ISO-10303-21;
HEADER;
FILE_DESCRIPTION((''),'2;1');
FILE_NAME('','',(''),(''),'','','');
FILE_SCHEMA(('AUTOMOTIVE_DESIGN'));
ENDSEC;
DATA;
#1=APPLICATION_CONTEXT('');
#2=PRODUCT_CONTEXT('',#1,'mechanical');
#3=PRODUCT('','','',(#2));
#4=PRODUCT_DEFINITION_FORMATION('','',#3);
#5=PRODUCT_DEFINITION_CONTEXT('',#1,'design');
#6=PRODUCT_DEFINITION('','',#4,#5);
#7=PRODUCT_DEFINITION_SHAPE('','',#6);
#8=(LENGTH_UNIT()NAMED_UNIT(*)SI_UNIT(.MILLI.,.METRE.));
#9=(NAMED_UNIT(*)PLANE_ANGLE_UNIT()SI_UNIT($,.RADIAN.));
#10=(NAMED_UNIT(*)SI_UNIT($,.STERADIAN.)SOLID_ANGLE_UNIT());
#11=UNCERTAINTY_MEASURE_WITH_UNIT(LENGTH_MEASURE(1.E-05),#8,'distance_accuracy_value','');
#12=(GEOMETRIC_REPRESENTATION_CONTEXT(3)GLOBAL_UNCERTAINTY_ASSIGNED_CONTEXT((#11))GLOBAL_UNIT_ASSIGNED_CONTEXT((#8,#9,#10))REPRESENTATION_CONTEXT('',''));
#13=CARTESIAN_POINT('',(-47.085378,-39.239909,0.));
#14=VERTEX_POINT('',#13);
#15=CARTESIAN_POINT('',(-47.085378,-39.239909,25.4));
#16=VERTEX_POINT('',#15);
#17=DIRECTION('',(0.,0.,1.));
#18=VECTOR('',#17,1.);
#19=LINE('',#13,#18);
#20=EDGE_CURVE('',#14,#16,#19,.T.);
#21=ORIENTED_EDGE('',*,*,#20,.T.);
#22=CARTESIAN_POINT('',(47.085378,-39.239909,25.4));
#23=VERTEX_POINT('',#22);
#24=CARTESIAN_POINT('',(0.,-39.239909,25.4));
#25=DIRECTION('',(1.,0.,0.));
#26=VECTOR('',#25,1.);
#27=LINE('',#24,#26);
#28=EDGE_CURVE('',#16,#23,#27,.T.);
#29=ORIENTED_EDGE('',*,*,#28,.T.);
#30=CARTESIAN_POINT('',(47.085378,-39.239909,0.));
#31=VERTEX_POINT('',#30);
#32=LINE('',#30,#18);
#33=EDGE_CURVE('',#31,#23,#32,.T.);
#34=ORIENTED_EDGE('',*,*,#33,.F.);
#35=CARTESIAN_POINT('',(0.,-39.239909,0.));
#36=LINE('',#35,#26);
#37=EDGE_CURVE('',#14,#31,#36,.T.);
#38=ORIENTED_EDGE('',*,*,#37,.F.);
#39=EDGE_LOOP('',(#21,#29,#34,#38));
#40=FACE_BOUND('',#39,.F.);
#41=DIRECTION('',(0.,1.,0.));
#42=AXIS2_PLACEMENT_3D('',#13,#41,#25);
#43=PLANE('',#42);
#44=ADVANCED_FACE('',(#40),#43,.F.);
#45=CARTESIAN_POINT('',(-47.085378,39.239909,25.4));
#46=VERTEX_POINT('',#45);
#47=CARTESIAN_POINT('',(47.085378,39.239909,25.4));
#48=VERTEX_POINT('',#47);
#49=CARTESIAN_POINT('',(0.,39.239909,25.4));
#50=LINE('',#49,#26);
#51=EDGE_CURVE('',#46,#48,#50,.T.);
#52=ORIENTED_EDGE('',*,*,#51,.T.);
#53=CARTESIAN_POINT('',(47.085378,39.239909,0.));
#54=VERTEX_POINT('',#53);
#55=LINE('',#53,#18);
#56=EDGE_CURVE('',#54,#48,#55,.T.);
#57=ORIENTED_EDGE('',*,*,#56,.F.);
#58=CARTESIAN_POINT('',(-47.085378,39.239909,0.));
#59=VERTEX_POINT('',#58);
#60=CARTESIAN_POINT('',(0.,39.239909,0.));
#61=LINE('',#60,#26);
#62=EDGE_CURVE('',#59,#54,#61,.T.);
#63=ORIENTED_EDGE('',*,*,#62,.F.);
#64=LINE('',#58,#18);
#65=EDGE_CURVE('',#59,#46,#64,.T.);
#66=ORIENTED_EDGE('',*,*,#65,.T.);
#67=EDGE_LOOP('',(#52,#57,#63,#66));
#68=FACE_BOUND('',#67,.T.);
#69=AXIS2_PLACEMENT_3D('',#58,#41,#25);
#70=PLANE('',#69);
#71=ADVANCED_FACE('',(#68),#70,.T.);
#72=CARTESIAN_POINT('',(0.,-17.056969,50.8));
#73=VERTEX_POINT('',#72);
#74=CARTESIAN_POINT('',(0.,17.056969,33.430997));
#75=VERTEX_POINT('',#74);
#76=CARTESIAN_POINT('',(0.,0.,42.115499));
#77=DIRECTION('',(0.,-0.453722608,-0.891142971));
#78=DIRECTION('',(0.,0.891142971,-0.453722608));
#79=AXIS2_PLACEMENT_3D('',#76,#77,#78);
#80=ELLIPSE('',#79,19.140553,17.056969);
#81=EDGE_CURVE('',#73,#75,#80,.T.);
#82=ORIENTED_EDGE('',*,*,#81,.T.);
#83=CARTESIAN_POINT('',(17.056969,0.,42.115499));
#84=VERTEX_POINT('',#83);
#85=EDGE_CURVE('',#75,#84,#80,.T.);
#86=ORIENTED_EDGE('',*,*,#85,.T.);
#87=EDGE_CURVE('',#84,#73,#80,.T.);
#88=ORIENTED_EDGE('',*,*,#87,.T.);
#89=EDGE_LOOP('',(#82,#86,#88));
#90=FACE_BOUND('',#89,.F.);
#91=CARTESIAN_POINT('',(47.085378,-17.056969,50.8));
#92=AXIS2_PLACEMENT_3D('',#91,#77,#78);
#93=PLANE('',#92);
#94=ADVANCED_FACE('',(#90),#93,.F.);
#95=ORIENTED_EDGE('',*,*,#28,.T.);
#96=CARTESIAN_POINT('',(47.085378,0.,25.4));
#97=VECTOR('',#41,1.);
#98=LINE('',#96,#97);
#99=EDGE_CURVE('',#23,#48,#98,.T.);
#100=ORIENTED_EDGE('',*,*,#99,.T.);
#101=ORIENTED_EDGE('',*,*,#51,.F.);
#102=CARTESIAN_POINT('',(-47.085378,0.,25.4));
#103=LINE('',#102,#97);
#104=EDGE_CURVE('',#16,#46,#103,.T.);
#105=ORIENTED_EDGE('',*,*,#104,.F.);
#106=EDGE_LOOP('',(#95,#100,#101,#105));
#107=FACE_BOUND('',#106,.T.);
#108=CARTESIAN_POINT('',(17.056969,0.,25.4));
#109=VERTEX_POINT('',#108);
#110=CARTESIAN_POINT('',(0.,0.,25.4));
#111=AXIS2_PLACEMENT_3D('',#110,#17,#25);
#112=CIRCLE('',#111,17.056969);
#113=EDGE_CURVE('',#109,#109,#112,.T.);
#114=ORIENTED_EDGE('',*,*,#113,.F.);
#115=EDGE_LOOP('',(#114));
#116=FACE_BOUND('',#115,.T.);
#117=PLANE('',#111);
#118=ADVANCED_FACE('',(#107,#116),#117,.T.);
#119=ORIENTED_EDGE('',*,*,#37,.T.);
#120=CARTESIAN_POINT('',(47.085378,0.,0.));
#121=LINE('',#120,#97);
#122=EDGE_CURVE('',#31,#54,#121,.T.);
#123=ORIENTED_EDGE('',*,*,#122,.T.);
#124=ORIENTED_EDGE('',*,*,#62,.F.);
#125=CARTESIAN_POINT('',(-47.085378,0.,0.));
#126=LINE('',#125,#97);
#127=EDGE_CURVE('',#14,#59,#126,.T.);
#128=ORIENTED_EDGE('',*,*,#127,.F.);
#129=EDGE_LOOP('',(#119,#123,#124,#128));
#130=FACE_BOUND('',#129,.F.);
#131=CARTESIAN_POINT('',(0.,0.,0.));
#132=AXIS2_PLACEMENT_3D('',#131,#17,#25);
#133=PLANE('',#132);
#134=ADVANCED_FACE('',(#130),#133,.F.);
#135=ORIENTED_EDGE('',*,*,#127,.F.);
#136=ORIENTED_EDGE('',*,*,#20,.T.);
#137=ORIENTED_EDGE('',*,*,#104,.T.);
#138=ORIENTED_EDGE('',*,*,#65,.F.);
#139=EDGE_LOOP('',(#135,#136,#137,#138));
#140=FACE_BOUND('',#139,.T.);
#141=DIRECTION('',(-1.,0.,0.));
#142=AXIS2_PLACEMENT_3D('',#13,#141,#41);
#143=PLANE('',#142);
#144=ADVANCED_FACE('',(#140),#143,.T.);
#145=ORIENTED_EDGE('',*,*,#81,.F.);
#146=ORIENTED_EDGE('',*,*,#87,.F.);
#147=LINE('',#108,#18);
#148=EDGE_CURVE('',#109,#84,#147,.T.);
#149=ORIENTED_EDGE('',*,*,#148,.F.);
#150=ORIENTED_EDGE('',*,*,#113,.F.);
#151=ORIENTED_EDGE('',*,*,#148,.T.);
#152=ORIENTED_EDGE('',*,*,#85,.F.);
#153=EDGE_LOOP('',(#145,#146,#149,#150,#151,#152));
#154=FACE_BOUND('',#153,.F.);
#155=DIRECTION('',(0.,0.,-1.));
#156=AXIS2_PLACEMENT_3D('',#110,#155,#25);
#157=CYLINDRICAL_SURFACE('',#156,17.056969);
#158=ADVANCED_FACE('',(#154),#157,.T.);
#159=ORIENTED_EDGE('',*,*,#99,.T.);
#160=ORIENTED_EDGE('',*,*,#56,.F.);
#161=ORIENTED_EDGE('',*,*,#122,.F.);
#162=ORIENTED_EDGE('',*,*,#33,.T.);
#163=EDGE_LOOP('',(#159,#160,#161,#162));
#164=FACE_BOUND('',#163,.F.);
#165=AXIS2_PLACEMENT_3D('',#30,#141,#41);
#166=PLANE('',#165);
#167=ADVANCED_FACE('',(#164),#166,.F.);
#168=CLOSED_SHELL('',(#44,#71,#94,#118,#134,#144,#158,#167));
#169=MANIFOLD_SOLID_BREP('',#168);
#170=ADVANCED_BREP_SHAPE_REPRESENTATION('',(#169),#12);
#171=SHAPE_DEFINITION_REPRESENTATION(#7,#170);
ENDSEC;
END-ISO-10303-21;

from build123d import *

# Parameters (mm, degrees)
F0_W     = 94.170756
F0_H     = 78.479818
F1_DEPTH = 25.4
F2_R     = 17.056969
F3_DEPTH = 25.4
F5_DEPTH = 94.171757


with BuildPart() as f1:
    # F0 (on Top) → F1 (new body)
    with BuildSketch(Plane.XY):
        Rectangle(F0_W, F0_H)
    extrude(amount=F1_DEPTH)

    # F2 (on face) → F3 (join)
    with BuildSketch(Plane.XY.offset(25.4)):
        Circle(F2_R)
    extrude(amount=F3_DEPTH)

    # F4 (on face) → F5 (cut, through all)
    with BuildSketch(Plane.YZ.offset(47.085378)):
        Polygon((17.056969, 50.8), (-17.056969, 50.8), (17.056969, 33.430997), align=None)
    extrude(amount=-F5_DEPTH, mode=Mode.SUBTRACT)


solid = f1.part
